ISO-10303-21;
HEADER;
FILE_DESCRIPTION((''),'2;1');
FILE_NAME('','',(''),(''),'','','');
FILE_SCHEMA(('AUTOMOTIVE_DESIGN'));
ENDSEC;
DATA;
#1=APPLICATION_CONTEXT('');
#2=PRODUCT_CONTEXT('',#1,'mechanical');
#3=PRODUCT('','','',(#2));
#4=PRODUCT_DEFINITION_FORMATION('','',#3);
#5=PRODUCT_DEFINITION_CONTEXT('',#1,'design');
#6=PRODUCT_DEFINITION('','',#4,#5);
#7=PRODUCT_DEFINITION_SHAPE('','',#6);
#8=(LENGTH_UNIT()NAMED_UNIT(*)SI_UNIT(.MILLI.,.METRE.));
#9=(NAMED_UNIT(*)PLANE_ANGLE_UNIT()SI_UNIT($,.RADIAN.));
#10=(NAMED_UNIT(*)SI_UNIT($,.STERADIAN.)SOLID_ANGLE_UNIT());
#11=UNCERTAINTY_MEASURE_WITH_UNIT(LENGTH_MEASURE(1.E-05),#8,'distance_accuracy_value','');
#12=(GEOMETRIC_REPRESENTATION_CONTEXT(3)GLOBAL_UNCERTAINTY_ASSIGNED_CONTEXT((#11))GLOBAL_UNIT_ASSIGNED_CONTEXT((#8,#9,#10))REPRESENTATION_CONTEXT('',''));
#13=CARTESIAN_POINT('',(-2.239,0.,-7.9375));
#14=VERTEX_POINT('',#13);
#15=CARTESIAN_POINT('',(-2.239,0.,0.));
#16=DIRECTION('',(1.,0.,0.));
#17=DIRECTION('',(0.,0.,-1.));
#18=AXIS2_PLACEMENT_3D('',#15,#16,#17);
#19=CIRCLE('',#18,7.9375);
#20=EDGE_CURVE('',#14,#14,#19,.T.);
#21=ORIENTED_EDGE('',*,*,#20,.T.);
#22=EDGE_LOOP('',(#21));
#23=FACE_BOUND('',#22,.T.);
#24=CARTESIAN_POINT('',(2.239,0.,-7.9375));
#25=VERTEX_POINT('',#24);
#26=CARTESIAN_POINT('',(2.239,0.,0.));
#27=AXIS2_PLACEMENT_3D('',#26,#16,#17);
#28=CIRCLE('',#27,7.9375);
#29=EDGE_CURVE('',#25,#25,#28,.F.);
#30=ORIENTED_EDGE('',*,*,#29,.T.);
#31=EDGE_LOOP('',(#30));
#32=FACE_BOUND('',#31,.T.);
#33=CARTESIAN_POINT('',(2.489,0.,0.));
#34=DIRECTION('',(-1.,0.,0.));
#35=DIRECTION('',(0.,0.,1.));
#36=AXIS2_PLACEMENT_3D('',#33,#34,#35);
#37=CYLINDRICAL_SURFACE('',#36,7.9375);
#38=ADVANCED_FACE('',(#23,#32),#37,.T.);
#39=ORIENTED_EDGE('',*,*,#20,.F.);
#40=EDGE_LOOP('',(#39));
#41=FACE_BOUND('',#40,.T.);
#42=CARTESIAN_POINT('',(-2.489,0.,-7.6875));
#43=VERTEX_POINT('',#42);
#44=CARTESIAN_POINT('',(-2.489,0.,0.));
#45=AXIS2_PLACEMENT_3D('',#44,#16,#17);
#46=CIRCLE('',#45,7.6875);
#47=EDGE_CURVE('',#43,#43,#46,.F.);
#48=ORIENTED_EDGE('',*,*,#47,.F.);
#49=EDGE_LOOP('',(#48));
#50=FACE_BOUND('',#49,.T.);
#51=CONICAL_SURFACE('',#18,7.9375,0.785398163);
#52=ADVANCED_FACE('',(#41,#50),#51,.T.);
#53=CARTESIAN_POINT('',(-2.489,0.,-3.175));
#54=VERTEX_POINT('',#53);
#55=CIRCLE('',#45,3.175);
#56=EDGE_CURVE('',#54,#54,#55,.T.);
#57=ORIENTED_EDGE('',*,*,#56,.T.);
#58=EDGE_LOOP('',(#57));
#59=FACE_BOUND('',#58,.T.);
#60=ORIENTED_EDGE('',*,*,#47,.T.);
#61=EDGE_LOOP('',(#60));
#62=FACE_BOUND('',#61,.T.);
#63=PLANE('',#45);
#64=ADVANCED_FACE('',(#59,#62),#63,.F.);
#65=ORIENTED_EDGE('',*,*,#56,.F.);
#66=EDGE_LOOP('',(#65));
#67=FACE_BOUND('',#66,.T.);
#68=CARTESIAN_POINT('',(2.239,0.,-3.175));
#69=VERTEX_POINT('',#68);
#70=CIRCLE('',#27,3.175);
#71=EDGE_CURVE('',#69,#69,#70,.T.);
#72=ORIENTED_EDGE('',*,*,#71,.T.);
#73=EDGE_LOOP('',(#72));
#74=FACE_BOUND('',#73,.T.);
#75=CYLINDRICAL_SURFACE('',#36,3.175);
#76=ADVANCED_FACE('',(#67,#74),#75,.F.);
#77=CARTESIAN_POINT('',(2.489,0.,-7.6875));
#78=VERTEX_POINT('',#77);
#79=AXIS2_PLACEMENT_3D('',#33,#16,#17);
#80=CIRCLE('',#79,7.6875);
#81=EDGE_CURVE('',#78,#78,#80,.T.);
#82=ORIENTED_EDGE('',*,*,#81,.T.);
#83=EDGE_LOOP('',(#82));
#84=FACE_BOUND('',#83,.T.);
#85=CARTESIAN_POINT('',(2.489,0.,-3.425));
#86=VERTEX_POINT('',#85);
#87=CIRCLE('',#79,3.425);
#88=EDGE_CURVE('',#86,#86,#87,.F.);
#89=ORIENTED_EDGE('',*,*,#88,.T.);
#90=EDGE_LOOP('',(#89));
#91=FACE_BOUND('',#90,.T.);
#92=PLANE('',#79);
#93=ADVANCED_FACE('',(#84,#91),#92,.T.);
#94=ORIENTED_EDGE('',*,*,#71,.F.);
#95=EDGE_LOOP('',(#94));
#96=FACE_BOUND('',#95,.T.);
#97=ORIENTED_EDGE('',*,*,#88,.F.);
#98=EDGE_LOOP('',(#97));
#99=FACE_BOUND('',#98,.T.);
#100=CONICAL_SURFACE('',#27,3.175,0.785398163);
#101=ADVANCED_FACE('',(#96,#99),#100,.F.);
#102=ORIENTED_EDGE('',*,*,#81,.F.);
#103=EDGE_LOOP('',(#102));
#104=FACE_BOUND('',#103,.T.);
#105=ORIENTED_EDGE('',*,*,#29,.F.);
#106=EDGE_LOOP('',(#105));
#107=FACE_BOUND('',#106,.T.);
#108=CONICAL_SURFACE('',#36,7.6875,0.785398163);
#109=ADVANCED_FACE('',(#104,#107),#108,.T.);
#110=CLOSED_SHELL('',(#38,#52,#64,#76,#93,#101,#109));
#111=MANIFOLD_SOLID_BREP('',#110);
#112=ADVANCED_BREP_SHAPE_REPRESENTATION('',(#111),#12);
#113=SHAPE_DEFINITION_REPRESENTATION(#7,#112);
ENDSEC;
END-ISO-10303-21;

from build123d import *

# Parameters (mm, degrees)
SKETCH1_R           = 7.9375
SKETCH1_R_2         = 3.175
BOSS_EXTRUDE1_DEPTH = 2.489
CHAMFER1_SIZE       = 0.25


with BuildPart() as part:
    # Sketch1 → Boss-Extrude1 (new, symmetric)
    with BuildSketch(Plane(origin=(0, 0, 0), x_dir=(0, 0, -1), z_dir=(1, 0, 0))):
        Circle(SKETCH1_R)
        Circle(SKETCH1_R_2, mode=Mode.SUBTRACT)
    extrude(amount=BOSS_EXTRUDE1_DEPTH, both=True)

    # Chamfer1
    chamfer1_edges = [part.edges().sort_by_distance(p)[0] for p in [
        (-2.489, 0, 7.9375),
        (2.489, 0, 7.9375),
        (2.489, 0, 3.175),
    ]]
    chamfer(chamfer1_edges, length=CHAMFER1_SIZE)


solid = part.part
